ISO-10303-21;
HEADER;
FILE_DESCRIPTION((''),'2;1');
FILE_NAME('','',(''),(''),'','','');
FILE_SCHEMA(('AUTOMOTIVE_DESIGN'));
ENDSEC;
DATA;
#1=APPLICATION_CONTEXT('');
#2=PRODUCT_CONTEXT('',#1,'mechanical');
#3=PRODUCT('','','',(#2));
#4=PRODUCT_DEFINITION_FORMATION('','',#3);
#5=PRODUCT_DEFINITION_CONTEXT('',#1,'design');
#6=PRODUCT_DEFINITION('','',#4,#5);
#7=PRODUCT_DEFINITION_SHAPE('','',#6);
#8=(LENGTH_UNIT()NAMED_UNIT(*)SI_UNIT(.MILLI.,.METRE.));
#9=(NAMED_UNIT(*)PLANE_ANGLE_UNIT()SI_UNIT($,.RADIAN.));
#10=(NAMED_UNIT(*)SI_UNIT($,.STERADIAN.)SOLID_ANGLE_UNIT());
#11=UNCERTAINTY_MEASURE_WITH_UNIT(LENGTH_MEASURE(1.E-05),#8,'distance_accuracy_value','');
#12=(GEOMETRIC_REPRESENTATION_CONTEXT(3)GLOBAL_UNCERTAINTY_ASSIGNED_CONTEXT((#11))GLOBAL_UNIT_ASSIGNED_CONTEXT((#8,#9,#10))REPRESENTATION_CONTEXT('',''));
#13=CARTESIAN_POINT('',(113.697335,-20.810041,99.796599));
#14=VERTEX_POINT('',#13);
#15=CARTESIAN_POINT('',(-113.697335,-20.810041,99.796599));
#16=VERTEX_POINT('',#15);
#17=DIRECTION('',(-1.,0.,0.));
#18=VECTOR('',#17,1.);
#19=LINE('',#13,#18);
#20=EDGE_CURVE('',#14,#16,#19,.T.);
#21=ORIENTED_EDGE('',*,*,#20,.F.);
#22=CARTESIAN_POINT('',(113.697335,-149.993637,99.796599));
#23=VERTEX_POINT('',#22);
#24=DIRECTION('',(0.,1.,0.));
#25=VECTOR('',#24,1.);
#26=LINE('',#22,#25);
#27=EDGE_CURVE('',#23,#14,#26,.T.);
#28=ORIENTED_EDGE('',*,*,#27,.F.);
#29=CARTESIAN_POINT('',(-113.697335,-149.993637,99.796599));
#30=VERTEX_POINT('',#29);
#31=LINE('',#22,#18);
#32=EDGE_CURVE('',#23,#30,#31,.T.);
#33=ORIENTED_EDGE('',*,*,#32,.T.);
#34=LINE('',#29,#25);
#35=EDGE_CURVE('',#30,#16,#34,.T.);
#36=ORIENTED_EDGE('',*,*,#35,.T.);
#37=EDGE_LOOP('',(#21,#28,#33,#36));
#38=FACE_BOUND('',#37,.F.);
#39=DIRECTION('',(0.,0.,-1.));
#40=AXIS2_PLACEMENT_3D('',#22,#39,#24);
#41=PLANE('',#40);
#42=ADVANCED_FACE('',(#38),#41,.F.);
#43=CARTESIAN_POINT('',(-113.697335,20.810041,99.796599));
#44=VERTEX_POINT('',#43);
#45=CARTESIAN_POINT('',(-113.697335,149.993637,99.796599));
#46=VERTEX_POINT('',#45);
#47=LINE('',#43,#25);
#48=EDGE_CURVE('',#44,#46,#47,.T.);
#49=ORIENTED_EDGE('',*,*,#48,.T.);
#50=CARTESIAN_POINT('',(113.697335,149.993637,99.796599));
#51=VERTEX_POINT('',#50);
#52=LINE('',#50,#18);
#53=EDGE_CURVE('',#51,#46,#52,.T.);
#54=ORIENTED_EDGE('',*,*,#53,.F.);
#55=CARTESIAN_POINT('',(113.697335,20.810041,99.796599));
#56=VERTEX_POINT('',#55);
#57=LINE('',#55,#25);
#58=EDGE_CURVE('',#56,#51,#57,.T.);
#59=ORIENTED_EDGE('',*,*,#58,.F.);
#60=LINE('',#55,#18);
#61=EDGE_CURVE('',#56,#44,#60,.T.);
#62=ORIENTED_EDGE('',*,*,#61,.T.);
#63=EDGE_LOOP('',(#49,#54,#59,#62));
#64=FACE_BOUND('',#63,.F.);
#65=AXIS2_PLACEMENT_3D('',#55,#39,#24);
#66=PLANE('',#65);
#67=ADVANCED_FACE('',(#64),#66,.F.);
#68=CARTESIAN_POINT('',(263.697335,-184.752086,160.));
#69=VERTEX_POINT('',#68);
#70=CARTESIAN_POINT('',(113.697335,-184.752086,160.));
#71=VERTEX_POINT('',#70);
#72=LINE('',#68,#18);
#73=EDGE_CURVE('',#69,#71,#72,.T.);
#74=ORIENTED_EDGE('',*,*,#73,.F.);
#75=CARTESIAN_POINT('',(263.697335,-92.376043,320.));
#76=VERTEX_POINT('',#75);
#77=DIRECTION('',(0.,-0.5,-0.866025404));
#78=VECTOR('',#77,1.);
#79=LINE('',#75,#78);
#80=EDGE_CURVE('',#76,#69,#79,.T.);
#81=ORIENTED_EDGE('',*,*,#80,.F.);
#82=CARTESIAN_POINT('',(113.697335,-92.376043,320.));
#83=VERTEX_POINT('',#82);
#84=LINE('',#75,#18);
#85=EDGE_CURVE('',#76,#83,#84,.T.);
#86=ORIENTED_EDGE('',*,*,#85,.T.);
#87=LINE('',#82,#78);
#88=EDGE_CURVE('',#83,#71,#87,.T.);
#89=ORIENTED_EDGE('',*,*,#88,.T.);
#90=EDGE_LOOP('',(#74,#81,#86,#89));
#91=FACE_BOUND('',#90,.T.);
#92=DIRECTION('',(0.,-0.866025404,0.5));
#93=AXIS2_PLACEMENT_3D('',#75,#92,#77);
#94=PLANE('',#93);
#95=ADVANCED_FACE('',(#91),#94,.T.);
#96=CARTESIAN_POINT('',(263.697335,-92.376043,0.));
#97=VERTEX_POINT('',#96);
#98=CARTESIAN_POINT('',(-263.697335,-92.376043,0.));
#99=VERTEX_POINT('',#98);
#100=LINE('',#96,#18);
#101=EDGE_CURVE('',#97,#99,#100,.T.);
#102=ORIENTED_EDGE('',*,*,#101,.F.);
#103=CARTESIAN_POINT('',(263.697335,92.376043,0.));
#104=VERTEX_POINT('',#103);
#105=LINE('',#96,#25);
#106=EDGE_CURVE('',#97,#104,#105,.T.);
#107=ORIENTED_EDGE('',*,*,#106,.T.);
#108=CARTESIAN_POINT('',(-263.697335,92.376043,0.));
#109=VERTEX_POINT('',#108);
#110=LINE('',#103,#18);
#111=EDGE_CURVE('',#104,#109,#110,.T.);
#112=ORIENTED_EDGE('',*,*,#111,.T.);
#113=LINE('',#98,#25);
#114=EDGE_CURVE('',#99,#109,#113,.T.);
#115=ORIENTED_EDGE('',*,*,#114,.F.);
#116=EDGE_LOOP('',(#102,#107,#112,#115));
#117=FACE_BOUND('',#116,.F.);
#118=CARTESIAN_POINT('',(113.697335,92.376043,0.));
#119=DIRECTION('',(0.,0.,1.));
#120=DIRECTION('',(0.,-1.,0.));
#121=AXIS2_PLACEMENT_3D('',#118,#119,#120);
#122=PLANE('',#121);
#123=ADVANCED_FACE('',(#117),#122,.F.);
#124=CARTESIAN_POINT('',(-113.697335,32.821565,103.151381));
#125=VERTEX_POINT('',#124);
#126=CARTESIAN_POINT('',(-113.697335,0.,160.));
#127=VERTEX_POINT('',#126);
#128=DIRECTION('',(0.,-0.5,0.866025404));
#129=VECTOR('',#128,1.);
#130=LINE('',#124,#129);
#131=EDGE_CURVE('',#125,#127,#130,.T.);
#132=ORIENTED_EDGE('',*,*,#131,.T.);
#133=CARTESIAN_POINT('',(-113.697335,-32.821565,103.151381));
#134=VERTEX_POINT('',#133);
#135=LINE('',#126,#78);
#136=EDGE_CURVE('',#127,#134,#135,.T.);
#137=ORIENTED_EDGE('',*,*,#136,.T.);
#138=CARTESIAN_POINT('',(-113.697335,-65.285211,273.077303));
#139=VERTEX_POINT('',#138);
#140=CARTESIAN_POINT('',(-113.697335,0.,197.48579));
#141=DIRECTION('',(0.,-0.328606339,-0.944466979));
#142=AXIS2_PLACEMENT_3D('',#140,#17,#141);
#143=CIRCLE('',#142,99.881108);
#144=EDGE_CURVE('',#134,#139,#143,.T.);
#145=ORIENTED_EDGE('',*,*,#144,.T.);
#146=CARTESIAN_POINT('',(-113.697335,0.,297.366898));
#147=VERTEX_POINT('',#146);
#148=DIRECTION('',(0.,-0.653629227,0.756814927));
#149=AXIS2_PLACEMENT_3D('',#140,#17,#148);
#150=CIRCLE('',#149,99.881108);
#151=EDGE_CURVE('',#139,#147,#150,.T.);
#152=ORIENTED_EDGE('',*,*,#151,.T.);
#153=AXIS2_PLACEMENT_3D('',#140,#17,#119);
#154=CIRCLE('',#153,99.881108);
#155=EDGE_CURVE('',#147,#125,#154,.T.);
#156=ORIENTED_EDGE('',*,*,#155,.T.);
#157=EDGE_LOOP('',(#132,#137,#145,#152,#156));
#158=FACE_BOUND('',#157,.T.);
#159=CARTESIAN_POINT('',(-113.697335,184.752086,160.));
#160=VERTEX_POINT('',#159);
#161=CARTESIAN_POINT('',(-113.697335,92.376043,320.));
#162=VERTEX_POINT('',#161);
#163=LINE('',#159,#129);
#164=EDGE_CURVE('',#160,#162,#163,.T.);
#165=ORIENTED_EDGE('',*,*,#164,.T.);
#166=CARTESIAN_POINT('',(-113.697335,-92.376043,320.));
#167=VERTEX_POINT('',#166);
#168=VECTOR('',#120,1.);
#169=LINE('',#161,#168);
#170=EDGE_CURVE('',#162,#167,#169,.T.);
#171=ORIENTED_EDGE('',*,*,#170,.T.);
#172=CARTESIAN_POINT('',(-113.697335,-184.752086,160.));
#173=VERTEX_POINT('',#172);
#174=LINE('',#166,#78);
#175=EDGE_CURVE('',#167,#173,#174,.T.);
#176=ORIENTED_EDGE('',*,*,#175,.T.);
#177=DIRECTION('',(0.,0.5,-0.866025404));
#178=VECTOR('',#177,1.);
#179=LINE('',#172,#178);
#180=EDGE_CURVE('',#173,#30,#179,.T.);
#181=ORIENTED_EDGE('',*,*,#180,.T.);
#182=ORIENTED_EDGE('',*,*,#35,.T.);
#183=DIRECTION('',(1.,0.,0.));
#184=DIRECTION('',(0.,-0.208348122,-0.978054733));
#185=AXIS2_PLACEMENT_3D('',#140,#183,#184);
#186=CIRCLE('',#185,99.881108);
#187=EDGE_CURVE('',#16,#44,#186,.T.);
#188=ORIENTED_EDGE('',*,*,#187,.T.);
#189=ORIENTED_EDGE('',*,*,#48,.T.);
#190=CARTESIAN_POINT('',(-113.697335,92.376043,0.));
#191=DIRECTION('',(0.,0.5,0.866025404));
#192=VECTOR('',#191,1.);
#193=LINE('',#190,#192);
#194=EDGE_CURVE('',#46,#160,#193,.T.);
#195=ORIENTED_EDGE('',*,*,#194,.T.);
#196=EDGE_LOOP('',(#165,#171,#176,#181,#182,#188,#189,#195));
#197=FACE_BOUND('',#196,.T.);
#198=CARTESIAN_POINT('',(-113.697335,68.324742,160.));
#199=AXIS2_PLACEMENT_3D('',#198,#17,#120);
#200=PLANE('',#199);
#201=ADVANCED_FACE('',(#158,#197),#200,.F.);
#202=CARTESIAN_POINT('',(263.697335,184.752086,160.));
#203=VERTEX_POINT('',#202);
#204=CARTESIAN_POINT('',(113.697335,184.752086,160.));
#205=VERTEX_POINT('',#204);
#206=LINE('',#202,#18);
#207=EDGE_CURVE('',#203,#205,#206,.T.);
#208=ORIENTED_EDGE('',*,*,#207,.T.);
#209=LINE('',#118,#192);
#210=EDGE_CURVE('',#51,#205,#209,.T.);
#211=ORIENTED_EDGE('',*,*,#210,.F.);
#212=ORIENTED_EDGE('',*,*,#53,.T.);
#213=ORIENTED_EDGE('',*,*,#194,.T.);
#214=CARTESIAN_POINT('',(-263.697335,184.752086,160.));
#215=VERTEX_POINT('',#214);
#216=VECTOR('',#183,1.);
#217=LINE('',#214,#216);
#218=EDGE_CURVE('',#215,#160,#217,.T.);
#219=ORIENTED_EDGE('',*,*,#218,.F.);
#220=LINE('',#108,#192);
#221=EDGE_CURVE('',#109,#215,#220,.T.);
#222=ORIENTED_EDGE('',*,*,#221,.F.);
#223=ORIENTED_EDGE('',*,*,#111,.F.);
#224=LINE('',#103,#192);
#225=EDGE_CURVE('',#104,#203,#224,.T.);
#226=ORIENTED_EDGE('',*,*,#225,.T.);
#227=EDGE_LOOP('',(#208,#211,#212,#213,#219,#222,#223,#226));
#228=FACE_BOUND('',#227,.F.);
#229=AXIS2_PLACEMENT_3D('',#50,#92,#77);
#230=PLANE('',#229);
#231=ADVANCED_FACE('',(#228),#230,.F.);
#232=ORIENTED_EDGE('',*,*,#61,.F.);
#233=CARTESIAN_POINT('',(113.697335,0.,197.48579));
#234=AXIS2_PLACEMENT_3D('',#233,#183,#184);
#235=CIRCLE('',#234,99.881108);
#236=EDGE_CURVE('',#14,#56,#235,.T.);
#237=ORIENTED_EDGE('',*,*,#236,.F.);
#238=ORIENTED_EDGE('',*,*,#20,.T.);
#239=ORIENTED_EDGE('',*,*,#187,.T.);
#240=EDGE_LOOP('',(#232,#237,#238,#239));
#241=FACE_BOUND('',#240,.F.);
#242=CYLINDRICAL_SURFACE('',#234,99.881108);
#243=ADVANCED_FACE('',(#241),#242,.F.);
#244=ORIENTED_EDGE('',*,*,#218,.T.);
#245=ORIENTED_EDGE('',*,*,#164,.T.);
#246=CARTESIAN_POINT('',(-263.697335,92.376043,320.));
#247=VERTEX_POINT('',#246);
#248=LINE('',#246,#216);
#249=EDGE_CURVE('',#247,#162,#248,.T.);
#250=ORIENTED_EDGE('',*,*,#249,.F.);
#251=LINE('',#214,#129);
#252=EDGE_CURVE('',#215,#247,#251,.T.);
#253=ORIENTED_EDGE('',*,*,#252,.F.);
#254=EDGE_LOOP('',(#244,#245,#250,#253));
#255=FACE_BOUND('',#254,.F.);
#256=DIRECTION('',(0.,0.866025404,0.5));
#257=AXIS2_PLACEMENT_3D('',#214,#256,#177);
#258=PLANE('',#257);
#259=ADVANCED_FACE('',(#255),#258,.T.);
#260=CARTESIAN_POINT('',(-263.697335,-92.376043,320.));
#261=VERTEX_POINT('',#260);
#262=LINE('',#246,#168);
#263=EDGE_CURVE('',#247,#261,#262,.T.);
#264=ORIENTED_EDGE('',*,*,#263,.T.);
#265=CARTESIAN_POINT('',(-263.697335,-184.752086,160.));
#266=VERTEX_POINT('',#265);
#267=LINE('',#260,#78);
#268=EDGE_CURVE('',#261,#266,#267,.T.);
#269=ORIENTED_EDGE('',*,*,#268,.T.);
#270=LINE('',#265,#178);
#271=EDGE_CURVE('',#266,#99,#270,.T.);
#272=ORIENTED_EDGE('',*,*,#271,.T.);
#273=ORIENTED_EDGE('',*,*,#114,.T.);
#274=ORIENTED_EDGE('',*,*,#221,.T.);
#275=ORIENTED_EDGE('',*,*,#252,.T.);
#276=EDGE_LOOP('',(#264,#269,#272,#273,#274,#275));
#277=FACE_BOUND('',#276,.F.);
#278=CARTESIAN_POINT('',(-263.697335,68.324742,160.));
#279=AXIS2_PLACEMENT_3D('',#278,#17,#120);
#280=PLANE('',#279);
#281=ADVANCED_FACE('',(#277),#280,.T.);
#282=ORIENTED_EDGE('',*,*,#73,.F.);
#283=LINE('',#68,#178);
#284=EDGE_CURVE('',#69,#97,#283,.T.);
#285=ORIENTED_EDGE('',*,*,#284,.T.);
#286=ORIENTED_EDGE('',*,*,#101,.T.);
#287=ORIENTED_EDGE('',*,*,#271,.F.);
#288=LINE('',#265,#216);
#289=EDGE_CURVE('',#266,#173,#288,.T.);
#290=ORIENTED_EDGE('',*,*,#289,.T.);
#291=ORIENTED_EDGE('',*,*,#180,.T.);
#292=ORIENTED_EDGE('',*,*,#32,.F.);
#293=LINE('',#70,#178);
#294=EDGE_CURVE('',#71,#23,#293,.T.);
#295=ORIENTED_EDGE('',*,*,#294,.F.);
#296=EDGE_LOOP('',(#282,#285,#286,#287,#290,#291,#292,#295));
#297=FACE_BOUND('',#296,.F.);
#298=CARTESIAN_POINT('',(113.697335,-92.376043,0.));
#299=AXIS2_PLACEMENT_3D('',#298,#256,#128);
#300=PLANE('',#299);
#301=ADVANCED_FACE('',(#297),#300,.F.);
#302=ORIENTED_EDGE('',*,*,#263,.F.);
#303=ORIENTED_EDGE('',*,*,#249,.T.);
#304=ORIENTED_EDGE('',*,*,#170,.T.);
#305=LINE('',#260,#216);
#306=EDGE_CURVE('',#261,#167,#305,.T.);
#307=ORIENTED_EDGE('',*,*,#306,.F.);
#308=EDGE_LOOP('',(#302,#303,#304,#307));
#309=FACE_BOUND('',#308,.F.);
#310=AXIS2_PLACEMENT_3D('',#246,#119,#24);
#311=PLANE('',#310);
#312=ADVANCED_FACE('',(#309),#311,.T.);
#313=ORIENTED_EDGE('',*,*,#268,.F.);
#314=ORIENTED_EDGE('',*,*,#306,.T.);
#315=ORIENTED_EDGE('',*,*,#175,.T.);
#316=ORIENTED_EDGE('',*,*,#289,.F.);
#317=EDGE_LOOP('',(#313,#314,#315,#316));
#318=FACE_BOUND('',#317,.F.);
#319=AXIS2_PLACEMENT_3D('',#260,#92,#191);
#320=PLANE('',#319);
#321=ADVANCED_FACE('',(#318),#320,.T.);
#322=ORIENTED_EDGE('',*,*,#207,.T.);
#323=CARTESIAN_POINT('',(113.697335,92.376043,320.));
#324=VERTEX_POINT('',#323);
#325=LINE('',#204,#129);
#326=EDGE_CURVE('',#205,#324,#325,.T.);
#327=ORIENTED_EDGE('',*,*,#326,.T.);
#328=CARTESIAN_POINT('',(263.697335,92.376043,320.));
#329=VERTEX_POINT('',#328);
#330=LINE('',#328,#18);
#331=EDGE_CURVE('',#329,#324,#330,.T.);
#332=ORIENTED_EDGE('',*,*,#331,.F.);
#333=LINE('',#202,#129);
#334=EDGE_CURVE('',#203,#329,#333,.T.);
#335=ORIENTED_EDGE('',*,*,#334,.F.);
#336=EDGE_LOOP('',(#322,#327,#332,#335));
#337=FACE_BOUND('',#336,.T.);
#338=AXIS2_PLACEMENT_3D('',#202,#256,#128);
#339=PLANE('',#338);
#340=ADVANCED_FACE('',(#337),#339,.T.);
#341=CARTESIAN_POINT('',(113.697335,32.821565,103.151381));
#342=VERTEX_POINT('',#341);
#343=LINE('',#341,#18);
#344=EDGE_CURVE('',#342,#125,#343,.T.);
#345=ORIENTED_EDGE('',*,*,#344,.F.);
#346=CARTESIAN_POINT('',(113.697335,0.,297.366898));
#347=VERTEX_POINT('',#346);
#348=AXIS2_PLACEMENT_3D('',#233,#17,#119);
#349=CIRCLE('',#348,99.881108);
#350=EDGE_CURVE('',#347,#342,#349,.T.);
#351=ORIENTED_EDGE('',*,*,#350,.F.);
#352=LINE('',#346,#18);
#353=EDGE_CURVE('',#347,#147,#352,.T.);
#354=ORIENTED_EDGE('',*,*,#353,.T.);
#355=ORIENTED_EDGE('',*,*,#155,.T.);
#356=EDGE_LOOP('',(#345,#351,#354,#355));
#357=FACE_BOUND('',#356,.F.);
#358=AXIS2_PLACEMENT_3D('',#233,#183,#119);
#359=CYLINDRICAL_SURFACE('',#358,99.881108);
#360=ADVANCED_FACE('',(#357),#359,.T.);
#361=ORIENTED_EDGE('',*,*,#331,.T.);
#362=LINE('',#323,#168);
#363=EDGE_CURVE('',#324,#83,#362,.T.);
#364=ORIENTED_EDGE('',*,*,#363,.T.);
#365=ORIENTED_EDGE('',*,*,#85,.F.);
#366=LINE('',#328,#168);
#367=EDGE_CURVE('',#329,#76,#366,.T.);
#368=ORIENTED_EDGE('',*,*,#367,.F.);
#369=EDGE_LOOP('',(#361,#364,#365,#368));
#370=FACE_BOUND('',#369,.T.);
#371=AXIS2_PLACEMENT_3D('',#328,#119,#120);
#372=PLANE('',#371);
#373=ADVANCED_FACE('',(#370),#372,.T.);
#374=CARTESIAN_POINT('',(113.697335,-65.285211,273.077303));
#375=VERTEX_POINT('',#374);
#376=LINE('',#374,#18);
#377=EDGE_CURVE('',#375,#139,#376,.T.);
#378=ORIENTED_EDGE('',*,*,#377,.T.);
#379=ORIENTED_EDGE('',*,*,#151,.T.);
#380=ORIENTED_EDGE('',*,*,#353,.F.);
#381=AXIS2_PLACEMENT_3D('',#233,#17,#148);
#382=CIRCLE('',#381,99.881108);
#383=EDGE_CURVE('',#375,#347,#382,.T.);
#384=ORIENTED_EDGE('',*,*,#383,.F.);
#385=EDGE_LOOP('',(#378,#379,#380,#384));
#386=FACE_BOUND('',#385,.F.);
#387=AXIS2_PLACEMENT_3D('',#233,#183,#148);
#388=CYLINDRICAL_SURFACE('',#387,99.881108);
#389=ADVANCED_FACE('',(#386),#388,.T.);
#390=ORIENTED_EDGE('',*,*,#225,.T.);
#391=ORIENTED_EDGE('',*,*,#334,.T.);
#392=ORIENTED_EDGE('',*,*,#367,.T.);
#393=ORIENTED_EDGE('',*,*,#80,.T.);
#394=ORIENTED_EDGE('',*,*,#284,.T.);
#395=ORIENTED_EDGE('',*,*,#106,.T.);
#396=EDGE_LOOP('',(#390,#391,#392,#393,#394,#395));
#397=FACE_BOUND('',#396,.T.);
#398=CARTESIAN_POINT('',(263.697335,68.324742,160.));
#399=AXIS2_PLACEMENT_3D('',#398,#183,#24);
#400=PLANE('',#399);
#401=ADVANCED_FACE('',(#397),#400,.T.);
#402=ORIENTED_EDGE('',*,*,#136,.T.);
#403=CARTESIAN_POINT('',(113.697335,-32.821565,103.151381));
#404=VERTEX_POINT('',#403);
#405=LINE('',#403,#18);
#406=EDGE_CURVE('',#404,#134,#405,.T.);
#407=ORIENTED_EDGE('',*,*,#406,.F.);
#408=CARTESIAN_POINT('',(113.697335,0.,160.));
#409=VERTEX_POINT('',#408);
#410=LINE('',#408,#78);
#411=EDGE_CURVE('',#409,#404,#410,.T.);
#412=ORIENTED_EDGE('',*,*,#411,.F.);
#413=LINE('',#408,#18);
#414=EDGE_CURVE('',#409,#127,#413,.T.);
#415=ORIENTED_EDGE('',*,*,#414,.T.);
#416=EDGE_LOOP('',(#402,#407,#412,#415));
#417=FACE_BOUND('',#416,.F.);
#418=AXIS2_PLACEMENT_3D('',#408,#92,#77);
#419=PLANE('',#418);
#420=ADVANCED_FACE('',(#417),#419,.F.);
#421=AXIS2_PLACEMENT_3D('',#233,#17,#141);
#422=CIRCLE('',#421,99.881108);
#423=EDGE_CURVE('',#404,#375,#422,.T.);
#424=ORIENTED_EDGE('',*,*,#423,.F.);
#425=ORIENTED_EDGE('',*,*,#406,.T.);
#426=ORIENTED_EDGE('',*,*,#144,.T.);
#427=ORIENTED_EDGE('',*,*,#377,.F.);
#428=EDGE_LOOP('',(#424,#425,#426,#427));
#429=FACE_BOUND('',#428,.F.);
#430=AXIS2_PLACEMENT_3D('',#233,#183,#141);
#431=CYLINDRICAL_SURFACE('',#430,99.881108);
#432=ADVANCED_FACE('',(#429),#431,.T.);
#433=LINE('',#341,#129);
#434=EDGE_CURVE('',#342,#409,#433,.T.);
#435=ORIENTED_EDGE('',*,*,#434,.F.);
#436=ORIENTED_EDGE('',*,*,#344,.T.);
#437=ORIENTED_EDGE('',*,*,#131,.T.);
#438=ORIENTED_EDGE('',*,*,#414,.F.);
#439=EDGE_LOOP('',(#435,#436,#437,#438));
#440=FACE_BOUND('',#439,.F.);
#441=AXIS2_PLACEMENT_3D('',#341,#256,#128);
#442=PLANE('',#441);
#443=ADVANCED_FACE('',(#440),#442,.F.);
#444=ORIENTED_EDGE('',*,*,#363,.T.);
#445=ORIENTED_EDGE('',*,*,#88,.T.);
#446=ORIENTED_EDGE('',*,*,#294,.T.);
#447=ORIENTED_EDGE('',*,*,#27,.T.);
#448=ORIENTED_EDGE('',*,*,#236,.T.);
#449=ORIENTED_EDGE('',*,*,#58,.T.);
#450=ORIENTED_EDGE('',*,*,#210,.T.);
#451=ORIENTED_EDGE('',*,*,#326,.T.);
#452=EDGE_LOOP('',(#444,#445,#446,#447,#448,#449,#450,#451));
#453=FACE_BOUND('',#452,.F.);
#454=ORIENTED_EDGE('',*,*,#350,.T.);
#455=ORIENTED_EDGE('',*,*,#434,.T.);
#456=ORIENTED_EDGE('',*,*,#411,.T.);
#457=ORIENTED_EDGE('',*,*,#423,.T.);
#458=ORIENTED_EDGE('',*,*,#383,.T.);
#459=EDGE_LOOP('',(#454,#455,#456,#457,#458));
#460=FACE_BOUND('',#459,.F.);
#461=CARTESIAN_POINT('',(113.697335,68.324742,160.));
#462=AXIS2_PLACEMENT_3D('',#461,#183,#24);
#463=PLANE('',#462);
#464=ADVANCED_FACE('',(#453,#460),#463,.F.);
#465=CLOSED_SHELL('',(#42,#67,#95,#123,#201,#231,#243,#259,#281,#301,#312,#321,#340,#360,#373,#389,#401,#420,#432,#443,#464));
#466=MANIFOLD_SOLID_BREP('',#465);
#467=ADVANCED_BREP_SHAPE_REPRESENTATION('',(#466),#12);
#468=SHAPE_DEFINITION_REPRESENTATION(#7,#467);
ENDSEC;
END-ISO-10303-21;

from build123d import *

# Parameters (mm, degrees)
F3_DEPTH = 150
F6_DEPTH = 227.39467
F7_DEPTH = 227.39467


with BuildPart() as f3:
    # F2 (on line) → F3 (new body)
    with BuildSketch(Plane.YZ.offset(263.697335)):
        Polygon((0, 320), (0, 0), (92.3760430703, 0), (184.7520861407, 160), (92.3760430703, 320), align=None)
        Polygon((-92.3760430703, 0), (0, 0), (0, 320), (-92.3760430703, 320), (-184.7520861407, 160), align=None)
    extrude(amount=-F3_DEPTH)


with BuildPart() as f4_1:
    # F4: instance of F3
    add(f3.part.mirror(Plane.YZ))


with BuildPart() as f3_1:
    add(f3.part)

    add(f4_1.part)  # F6 merges F4_1
    # F5 (on face) → F6 (join, through all)
    with BuildSketch(Plane(origin=(113.697335, 0, 0), x_dir=(0, -1, 0), z_dir=(-1, 0, 0))):
        Polygon((-149.9936365076, 99.7965992432), (-92.3760430703, 0), (-34.7584496331, 99.7965992432), align=None)
        with BuildLine():
            Line((-34.7584496331, 99.7965992432), (-92.3760430703, 0))
            Line((-92.3760430703, 0), (92.3760430703, 0))
            Line((92.3760430703, 0), (34.7584496331, 99.7965992432))
            Line((34.7584496331, 99.7965992432), (20.8100413197, 99.7965992432))
            ThreePointArc((20.8100413197, 99.7965992432), (0, 97.6046816163), (-20.8100413197, 99.7965992432))
            Line((-20.8100413197, 99.7965992432), (-34.7584496331, 99.7965992432))
        make_face()
        Polygon((34.7584496331, 99.7965992432), (92.3760430703, 0), (149.9936365076, 99.7965992432), align=None)
    extrude(amount=F6_DEPTH)

    # F5 (on face) → F7 (join, through all)
    with BuildSketch(Plane(origin=(113.697335, 0, 0), x_dir=(0, -1, 0), z_dir=(-1, 0, 0))):
        with BuildLine():
            Line((-92.5799725491, 160), (0, 160))
            Line((0, 160), (0, 297.366897697))
            ThreePointArc((0, 297.366897697), (-82.8261973956, 253.3074410864), (-92.5799725491, 160))
        make_face()
        with BuildLine():
            Line((0, 297.366897697), (0, 160))
            Line((0, 160), (65.2852114178, 273.0773031585))
            ThreePointArc((65.2852114178, 273.0773031585), (34.8286636002, 291.0977543577), (0, 297.366897697))
        make_face()
        with BuildLine():
            Line((65.2852114178, 273.0773031585), (0, 160))
            Line((0, 160), (92.5799725491, 160))
            ThreePointArc((92.5799725491, 160), (98.0388341014, 178.3906920813), (99.8811080403, 197.4857896566))
            ThreePointArc((99.8811080403, 197.4857896566), (90.8212392517, 239.0518604856), (65.2852114178, 273.0773031585))
        make_face()
        with BuildLine():
            Line((92.5799725491, 160), (0, 160))
            Line((0, 160), (32.8215652942, 103.1513813265))
            ThreePointArc((32.8215652942, 103.1513813265), (68.8427758348, 125.1193059869), (92.5799725491, 160))
        make_face()
        with BuildLine():
            ThreePointArc((-92.5799725491, 160), (-68.8427758348, 125.1193059868), (-32.8215652942, 103.1513813265))
            Line((-32.8215652942, 103.1513813265), (0, 160))
            Line((0, 160), (-92.5799725491, 160))
        make_face()
    extrude(amount=F7_DEPTH)


solid = f3_1.part
